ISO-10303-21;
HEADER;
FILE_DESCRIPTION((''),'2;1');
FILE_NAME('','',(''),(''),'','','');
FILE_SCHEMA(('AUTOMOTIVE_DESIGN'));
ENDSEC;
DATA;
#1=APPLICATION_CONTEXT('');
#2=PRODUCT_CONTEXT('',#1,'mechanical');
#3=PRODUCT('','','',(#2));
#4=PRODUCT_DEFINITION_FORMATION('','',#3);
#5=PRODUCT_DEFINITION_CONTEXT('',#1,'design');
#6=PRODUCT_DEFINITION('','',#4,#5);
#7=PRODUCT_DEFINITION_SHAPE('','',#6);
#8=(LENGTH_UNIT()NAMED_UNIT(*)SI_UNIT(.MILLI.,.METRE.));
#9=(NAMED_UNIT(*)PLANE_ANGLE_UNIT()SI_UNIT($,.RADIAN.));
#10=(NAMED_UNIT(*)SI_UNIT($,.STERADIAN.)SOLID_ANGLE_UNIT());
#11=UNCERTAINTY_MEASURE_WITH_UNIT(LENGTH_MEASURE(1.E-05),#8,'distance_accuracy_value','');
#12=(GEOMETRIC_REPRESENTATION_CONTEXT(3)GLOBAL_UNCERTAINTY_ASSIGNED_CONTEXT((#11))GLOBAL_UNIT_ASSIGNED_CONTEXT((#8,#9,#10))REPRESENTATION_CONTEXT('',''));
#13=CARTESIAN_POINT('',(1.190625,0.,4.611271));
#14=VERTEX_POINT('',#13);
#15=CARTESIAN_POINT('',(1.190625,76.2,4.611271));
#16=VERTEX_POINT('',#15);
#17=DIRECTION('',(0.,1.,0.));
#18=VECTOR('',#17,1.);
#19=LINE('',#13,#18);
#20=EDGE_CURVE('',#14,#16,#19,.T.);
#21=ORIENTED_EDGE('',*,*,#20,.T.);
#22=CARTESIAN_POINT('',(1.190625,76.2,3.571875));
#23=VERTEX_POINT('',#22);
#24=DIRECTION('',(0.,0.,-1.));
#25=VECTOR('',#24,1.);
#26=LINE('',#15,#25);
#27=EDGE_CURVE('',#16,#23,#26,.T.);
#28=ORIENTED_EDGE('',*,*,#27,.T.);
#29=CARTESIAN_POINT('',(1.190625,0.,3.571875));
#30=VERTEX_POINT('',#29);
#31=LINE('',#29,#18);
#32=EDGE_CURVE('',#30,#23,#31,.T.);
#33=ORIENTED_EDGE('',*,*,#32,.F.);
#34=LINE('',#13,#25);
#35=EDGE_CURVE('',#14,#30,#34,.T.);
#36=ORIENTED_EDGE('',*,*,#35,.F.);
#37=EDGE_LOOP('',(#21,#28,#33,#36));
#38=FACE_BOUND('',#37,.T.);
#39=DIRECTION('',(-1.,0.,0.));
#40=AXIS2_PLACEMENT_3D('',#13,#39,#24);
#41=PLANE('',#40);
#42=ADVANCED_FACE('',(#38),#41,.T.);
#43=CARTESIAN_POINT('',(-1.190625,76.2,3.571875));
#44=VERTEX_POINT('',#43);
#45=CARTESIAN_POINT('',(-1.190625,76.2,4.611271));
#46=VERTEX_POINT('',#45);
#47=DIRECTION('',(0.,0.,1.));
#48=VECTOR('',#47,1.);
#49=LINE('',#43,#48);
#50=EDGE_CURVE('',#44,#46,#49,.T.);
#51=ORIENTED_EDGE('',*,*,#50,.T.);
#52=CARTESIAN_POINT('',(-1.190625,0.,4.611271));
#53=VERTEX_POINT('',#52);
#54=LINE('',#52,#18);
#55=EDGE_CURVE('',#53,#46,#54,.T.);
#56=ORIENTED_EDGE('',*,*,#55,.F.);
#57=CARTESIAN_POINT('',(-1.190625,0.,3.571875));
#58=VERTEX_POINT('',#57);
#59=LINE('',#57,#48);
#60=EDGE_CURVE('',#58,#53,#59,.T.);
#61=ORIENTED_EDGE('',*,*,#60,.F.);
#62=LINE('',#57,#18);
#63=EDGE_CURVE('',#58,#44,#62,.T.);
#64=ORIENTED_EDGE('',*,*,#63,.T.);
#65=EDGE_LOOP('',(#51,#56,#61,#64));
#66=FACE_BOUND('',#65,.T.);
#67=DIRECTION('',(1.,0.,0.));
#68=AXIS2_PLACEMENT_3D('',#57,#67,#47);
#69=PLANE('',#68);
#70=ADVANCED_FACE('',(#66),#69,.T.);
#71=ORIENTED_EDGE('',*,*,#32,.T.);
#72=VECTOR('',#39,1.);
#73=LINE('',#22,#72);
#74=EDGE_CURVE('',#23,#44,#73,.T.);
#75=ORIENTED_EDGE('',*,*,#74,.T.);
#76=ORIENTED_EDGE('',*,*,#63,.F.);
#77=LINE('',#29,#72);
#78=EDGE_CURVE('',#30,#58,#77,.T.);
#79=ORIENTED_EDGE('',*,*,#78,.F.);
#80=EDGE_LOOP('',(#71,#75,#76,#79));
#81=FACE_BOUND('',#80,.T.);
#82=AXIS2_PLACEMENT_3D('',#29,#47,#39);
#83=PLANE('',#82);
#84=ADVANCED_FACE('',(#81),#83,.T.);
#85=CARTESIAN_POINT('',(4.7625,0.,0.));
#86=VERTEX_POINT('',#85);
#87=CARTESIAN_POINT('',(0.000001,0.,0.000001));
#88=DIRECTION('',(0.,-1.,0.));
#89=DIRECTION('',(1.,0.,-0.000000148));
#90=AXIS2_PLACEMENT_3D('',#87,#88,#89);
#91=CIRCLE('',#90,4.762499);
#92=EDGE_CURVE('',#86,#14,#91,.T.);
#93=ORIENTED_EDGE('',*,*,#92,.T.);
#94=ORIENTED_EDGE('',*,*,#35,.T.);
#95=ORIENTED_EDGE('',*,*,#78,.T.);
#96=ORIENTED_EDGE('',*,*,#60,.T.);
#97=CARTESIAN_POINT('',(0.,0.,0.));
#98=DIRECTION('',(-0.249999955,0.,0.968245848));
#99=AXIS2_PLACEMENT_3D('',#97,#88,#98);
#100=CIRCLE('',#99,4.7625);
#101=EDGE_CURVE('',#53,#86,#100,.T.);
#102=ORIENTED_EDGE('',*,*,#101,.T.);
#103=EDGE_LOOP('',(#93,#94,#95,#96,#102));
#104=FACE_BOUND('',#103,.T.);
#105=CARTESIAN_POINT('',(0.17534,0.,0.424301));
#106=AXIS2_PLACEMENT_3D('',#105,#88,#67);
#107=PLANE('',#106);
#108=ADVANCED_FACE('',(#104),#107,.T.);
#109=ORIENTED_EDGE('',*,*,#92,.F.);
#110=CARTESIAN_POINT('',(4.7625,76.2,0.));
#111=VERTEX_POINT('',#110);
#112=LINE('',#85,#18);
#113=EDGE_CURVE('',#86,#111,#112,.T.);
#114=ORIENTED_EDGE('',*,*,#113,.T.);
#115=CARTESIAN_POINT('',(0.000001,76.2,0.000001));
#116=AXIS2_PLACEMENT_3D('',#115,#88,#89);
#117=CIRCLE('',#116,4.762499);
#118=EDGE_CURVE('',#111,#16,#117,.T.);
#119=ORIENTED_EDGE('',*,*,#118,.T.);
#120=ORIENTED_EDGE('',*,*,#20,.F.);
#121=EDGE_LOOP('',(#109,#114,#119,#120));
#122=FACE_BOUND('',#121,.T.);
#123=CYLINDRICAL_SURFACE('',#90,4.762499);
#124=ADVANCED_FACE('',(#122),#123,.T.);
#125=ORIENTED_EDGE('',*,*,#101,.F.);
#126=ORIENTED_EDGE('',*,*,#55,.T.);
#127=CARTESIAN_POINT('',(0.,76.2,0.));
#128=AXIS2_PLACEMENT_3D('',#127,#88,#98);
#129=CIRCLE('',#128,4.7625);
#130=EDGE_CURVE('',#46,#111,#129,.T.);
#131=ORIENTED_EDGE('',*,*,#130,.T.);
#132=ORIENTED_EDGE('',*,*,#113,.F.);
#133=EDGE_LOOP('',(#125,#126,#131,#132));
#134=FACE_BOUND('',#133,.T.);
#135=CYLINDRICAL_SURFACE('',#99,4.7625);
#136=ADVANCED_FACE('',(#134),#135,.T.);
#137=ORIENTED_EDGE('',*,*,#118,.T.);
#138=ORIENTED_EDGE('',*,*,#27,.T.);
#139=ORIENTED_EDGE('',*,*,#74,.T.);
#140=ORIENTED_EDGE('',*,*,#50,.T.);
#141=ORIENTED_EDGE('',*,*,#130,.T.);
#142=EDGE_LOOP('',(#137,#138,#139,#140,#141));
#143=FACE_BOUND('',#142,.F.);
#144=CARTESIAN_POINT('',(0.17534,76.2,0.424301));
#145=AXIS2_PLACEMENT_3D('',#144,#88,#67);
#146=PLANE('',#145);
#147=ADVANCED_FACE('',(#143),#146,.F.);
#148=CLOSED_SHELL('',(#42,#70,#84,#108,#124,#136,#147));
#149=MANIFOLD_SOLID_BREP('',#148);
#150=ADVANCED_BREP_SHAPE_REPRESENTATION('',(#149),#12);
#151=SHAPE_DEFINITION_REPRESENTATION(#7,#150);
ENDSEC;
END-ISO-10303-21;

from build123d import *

# Parameters (mm, degrees)
F1_DEPTH = 76.2


with BuildPart() as f1:
    # F0 (on Front) → F1 (new body)
    with BuildSketch(Plane.XZ):
        with BuildLine():
            ThreePointArc((-1.190625, 4.611271), (-2.916424, -3.765087), (4.7625, 0))
            ThreePointArc((4.7625, 0), (3.765087, 2.916424), (1.190625, 4.611271))
            Line((1.190625, 4.611271), (1.190625, 3.571875))
            Line((1.190625, 3.571875), (0, 3.571875))
            Line((0, 3.571875), (-1.190625, 3.571875))
            Line((-1.190625, 3.571875), (-1.190625, 4.611271))
        make_face()
    extrude(amount=-F1_DEPTH)


solid = f1.part
